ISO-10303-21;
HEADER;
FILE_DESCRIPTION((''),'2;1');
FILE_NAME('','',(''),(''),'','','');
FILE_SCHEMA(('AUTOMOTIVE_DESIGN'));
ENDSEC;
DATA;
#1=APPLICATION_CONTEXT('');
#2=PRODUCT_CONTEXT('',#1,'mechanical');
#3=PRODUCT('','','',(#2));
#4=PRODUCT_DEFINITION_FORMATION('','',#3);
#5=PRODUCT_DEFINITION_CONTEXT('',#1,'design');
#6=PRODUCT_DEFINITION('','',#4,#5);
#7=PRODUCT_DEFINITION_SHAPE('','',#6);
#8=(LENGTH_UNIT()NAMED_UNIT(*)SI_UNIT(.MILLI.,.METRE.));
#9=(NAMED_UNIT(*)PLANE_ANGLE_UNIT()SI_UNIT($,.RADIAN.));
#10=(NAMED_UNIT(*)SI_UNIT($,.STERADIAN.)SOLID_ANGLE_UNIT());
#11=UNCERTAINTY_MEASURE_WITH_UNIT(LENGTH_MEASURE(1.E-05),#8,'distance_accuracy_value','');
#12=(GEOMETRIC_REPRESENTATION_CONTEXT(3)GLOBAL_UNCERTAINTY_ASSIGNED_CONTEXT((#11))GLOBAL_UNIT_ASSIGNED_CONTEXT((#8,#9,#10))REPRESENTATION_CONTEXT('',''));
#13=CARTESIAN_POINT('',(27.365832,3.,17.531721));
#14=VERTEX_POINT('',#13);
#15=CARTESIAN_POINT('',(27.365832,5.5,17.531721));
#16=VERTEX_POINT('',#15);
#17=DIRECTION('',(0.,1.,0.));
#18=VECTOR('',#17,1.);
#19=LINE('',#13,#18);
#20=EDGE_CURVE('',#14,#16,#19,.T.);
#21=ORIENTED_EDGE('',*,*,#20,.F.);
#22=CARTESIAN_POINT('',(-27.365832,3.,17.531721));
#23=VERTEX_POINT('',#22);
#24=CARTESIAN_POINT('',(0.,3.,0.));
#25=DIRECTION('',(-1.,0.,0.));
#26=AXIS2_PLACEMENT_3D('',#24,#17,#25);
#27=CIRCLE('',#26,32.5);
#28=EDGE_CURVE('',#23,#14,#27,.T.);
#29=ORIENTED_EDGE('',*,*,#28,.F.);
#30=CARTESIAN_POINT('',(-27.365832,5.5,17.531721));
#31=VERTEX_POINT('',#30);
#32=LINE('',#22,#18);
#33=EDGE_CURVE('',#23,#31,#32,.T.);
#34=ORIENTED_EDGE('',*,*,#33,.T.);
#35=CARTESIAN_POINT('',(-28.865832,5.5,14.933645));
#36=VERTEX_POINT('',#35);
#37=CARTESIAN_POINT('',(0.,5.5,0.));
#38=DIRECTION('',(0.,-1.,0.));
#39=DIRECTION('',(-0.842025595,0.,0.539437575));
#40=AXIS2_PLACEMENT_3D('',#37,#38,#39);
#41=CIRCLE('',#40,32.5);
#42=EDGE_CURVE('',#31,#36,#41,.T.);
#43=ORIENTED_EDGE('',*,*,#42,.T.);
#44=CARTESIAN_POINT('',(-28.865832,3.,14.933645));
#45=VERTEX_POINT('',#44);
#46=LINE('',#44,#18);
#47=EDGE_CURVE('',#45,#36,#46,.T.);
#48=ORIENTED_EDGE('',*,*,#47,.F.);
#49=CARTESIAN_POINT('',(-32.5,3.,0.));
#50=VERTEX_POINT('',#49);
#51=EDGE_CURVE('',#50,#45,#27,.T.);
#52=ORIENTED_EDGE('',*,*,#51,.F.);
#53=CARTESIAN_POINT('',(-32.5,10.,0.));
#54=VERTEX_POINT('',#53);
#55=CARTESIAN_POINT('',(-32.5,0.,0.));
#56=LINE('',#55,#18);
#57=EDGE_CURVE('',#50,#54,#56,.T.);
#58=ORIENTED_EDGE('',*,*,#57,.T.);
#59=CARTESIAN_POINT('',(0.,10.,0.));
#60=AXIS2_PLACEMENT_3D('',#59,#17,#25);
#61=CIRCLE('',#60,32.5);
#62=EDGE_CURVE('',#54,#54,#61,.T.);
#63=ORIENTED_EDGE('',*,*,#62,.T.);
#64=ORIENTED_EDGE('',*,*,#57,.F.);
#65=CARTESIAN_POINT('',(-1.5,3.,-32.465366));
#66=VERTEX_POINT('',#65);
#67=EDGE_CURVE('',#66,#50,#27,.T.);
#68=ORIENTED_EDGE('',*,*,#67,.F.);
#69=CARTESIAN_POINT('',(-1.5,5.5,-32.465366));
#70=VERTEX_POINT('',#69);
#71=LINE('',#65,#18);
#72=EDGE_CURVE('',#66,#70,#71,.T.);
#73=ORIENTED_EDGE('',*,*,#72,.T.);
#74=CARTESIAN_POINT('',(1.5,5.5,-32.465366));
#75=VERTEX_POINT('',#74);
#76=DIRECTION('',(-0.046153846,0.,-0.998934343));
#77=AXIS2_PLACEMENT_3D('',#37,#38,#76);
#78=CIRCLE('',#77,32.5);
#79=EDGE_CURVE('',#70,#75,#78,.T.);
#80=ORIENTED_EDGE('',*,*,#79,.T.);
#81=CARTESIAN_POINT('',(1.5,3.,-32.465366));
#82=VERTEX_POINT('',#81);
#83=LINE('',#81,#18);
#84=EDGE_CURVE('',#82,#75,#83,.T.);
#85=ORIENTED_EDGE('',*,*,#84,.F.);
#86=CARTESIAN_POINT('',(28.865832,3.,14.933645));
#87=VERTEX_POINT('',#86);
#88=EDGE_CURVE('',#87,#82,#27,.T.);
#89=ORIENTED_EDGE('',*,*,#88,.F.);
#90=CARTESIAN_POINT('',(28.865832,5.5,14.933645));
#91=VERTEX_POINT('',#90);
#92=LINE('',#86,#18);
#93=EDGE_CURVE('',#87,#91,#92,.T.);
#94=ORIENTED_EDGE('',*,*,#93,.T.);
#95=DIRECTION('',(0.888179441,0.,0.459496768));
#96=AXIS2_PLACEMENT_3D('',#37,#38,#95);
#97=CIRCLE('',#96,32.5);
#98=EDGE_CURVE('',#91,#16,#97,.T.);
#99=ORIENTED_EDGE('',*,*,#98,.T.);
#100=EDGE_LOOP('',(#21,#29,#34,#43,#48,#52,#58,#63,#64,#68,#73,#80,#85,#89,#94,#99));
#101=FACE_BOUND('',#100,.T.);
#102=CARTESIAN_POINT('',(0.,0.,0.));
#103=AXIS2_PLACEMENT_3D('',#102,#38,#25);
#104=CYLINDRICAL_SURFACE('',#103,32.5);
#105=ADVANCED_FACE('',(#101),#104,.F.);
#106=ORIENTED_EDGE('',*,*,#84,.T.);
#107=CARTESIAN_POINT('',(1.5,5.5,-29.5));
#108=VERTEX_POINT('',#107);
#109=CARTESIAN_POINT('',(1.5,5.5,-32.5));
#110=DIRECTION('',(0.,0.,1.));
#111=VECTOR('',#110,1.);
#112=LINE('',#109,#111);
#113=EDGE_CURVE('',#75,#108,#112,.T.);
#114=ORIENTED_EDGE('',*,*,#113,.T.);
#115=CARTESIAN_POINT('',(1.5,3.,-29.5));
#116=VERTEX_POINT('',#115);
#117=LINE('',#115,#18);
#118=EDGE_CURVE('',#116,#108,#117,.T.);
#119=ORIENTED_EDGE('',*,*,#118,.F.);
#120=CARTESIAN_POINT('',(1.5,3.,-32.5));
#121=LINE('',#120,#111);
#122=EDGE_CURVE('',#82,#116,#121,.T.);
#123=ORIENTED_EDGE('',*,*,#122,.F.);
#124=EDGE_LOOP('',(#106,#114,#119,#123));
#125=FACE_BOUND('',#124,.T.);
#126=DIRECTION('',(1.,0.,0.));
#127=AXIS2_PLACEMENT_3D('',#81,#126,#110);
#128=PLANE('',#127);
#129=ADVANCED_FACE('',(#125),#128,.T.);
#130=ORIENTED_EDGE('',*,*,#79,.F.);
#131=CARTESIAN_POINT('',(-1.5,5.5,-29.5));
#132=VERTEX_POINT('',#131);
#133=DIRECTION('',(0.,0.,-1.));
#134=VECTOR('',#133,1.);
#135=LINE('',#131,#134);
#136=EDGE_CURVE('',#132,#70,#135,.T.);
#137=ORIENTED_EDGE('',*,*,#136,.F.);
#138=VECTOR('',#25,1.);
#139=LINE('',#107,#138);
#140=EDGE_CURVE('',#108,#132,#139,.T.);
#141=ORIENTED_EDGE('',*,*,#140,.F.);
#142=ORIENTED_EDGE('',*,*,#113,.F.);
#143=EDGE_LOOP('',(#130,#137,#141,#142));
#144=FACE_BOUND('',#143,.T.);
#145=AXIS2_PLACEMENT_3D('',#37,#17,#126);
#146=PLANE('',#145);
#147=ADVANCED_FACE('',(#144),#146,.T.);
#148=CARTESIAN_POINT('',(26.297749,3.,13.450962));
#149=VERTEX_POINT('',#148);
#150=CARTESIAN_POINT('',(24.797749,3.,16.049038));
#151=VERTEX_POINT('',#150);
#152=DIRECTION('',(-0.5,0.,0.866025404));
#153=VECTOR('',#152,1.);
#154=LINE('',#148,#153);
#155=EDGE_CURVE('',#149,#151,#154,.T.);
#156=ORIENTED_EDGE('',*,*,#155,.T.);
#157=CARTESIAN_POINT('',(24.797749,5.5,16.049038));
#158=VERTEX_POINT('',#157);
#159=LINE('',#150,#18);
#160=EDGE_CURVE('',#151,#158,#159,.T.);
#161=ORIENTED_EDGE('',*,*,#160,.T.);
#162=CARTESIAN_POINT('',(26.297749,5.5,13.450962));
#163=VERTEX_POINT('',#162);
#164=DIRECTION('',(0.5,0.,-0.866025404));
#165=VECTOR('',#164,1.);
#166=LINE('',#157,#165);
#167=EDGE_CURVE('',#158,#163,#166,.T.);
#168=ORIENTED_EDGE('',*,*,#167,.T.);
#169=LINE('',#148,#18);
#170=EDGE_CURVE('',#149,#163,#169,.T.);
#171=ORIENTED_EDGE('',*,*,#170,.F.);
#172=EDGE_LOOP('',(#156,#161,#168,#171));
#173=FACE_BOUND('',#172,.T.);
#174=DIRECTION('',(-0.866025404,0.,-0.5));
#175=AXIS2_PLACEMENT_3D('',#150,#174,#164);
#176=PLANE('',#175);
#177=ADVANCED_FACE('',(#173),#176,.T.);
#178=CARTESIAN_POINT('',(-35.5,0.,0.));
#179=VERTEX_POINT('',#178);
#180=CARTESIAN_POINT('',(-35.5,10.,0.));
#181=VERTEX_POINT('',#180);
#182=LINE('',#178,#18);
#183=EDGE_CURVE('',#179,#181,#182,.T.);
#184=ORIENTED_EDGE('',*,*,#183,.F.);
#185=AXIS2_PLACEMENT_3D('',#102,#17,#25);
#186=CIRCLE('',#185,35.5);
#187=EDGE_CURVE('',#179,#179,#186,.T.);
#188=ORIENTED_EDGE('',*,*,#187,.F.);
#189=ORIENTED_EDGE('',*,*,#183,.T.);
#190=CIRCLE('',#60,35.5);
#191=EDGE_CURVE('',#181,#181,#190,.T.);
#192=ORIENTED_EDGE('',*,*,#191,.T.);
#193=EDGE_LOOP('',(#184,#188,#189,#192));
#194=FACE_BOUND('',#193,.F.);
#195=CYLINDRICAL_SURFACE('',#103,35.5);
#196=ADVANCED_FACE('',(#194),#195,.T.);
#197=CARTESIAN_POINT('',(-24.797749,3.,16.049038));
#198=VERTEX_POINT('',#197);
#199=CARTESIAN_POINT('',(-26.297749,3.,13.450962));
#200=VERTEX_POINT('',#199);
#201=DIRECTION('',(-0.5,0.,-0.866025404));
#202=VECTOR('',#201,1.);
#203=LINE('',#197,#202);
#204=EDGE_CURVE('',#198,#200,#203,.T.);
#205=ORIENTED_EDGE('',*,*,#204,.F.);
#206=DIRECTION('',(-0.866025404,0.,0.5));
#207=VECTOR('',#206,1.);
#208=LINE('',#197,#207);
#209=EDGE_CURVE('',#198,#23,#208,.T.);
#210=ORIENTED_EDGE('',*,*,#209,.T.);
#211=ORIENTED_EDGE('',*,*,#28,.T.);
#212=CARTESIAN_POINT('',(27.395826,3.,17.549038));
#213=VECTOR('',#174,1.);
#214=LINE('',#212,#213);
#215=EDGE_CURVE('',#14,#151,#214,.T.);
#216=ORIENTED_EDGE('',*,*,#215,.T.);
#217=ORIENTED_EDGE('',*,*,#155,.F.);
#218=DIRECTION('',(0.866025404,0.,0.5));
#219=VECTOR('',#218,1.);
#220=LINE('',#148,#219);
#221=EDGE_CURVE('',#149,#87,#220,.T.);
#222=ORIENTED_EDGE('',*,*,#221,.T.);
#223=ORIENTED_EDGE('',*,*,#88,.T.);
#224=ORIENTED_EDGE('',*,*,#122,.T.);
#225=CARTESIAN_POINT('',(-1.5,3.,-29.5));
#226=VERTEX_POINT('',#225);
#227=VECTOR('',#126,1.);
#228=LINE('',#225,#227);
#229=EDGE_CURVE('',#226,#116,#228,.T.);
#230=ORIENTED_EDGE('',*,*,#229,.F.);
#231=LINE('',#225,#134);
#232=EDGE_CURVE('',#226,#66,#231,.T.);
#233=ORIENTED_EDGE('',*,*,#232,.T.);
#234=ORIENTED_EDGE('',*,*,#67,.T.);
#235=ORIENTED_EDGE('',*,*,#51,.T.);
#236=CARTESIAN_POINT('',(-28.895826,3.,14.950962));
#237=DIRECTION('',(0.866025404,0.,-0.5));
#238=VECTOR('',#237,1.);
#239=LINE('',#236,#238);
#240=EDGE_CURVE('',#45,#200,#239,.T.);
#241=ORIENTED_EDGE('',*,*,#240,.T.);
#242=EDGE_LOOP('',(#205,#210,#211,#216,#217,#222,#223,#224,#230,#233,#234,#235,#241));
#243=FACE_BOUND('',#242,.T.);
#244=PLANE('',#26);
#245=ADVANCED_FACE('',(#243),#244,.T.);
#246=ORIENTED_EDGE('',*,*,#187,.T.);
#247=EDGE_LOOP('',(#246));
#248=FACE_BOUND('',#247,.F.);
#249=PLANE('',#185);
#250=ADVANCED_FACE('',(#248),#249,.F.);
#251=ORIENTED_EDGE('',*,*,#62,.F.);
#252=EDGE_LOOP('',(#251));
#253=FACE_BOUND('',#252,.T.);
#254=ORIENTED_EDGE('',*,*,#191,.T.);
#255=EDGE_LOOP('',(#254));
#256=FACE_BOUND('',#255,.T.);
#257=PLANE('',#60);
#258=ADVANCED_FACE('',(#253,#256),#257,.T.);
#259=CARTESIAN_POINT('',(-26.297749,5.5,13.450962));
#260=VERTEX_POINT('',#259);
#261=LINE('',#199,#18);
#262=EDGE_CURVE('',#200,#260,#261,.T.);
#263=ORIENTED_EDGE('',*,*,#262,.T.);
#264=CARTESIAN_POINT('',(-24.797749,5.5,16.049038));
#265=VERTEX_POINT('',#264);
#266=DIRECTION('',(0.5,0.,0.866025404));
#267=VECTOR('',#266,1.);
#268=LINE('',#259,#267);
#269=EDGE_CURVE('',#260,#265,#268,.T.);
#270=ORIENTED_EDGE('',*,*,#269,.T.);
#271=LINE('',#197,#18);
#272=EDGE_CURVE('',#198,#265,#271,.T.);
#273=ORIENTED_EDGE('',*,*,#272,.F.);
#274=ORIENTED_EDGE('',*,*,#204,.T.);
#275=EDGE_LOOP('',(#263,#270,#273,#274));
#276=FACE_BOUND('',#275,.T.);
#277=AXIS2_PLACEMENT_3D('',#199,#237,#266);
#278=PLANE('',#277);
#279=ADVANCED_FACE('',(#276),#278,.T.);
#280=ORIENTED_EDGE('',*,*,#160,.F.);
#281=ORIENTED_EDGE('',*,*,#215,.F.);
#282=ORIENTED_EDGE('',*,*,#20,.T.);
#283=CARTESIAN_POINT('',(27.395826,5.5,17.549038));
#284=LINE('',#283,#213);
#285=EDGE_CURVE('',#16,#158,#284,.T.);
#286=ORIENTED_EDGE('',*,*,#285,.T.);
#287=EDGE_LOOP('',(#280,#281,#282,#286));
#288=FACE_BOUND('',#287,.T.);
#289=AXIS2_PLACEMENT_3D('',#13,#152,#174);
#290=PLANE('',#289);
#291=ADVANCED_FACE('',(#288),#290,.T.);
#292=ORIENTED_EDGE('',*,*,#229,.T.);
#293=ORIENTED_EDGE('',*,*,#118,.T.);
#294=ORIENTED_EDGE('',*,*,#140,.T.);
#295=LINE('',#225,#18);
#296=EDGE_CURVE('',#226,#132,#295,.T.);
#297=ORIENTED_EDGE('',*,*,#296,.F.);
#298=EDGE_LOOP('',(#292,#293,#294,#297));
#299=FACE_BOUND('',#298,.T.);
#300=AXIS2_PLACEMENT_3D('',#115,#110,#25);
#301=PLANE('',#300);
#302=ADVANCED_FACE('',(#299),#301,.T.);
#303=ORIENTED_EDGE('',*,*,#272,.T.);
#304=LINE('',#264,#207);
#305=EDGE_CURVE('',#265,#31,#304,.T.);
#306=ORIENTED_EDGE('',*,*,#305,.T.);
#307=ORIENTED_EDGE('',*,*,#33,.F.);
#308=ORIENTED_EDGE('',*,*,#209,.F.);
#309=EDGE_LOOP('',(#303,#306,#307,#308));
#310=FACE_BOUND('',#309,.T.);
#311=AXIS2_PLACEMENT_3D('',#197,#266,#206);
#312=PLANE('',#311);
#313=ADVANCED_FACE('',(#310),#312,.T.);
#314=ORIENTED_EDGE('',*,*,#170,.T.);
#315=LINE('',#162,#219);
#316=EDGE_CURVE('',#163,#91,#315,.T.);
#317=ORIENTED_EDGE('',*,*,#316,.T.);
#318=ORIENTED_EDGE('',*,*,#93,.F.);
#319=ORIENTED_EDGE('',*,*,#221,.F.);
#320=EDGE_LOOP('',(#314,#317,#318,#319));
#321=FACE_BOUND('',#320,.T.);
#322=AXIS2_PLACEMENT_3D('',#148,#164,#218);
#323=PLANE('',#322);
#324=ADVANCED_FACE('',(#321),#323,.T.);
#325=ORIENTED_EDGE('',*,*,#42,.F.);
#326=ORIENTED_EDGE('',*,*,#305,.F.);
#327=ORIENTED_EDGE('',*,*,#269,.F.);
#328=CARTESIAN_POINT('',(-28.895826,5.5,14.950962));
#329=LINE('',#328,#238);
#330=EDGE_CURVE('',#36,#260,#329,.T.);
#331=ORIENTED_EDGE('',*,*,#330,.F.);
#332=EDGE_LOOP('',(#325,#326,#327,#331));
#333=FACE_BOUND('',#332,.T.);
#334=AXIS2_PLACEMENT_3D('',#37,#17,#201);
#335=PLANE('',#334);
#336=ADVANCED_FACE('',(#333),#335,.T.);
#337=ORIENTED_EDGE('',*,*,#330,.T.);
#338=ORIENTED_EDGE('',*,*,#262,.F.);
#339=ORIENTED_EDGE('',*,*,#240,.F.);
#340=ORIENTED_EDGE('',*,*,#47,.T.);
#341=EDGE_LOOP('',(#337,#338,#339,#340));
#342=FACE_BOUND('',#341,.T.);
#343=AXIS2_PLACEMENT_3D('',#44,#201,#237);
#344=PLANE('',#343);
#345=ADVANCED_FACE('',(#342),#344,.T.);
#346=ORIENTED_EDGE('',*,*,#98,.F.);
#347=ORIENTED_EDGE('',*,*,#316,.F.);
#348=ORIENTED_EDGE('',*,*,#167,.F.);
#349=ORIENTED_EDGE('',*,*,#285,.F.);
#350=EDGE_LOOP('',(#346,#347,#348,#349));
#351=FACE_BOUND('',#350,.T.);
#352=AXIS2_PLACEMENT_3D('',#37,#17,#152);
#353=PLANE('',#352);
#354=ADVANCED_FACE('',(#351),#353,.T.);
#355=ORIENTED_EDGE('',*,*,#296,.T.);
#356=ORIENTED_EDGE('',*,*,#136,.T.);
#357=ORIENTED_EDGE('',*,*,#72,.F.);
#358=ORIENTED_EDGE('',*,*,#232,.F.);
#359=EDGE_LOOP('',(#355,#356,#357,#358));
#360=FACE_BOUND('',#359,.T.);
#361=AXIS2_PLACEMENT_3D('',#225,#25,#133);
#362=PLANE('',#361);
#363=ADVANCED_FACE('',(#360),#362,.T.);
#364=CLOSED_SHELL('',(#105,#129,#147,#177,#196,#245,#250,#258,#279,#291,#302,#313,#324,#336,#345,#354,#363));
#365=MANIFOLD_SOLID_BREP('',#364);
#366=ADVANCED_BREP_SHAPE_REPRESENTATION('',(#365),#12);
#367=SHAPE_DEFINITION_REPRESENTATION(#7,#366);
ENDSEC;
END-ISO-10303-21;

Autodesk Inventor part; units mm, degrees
ref_plane "YZ Plane" through (0, 0, 0) normal (1, 0, 0) x (0, 1, 0)
ref_plane "XZ Plane" through (0, 0, 0) normal (0, 1, 0) x (-1, 0, 0)
ref_plane "XY Plane" through (0, 0, 0) normal (0, 0, 1) x (1, 0, 0)
sketch "Sketch1" plane through (0, 0, 0) normal (0, 1, 0) x (-1, 0, 0)
  circle A0 centre (0, 0) radius 32.5
  circle A1 centre (0, 0) radius 35.5
  dimension "d0" = 65
  dimension "d1" = 71
extrude "Extrusion1" add sketch "Sketch1" along normal blind 10
extrude "Extrusion2" add sketch "Sketch1" along normal blind 3 contours A0
sketch "Sketch2" plane through (0, 3, 0) normal (0, 1, 0) x (1, 0, 0)
  circle A0 centre (0, 0) radius 32.5 projected
  line L0 (0, 32.5) -> (0, 29.5)
  line L1 (-1.5, 29.5) -> (-1.5, 32.5)
  line L2 (-1.5, 32.5) -> (1.5, 32.5)
  line L3 (1.5, 32.5) -> (1.5, 29.5)
  line L4 (1.5, 29.5) -> (-1.5, 29.5)
  line L5 (-1.5, 29.5) -> (1.5, 32.5) construction
  line L6 (-1.5, 32.5) -> (1.5, 29.5) construction
  point P0 (0, 31)
  point P1 (1.5, 32.4654)
  point P2 (-1.5, 32.4654)
  dimension "d7" = 3
  dimension "d8" = 3
extrude "Extrusion3" add sketch "Sketch2" along normal blind 2.5 contours L3 L4 L0 A0 | A0 L0 L4 L1
pattern_circular "Circular Pattern1" count 3 over 360 about axis through (0, -10, 0) along (0, 1, 0) of "Extrusion3"
properties part number "Orchid Coaster V1"
